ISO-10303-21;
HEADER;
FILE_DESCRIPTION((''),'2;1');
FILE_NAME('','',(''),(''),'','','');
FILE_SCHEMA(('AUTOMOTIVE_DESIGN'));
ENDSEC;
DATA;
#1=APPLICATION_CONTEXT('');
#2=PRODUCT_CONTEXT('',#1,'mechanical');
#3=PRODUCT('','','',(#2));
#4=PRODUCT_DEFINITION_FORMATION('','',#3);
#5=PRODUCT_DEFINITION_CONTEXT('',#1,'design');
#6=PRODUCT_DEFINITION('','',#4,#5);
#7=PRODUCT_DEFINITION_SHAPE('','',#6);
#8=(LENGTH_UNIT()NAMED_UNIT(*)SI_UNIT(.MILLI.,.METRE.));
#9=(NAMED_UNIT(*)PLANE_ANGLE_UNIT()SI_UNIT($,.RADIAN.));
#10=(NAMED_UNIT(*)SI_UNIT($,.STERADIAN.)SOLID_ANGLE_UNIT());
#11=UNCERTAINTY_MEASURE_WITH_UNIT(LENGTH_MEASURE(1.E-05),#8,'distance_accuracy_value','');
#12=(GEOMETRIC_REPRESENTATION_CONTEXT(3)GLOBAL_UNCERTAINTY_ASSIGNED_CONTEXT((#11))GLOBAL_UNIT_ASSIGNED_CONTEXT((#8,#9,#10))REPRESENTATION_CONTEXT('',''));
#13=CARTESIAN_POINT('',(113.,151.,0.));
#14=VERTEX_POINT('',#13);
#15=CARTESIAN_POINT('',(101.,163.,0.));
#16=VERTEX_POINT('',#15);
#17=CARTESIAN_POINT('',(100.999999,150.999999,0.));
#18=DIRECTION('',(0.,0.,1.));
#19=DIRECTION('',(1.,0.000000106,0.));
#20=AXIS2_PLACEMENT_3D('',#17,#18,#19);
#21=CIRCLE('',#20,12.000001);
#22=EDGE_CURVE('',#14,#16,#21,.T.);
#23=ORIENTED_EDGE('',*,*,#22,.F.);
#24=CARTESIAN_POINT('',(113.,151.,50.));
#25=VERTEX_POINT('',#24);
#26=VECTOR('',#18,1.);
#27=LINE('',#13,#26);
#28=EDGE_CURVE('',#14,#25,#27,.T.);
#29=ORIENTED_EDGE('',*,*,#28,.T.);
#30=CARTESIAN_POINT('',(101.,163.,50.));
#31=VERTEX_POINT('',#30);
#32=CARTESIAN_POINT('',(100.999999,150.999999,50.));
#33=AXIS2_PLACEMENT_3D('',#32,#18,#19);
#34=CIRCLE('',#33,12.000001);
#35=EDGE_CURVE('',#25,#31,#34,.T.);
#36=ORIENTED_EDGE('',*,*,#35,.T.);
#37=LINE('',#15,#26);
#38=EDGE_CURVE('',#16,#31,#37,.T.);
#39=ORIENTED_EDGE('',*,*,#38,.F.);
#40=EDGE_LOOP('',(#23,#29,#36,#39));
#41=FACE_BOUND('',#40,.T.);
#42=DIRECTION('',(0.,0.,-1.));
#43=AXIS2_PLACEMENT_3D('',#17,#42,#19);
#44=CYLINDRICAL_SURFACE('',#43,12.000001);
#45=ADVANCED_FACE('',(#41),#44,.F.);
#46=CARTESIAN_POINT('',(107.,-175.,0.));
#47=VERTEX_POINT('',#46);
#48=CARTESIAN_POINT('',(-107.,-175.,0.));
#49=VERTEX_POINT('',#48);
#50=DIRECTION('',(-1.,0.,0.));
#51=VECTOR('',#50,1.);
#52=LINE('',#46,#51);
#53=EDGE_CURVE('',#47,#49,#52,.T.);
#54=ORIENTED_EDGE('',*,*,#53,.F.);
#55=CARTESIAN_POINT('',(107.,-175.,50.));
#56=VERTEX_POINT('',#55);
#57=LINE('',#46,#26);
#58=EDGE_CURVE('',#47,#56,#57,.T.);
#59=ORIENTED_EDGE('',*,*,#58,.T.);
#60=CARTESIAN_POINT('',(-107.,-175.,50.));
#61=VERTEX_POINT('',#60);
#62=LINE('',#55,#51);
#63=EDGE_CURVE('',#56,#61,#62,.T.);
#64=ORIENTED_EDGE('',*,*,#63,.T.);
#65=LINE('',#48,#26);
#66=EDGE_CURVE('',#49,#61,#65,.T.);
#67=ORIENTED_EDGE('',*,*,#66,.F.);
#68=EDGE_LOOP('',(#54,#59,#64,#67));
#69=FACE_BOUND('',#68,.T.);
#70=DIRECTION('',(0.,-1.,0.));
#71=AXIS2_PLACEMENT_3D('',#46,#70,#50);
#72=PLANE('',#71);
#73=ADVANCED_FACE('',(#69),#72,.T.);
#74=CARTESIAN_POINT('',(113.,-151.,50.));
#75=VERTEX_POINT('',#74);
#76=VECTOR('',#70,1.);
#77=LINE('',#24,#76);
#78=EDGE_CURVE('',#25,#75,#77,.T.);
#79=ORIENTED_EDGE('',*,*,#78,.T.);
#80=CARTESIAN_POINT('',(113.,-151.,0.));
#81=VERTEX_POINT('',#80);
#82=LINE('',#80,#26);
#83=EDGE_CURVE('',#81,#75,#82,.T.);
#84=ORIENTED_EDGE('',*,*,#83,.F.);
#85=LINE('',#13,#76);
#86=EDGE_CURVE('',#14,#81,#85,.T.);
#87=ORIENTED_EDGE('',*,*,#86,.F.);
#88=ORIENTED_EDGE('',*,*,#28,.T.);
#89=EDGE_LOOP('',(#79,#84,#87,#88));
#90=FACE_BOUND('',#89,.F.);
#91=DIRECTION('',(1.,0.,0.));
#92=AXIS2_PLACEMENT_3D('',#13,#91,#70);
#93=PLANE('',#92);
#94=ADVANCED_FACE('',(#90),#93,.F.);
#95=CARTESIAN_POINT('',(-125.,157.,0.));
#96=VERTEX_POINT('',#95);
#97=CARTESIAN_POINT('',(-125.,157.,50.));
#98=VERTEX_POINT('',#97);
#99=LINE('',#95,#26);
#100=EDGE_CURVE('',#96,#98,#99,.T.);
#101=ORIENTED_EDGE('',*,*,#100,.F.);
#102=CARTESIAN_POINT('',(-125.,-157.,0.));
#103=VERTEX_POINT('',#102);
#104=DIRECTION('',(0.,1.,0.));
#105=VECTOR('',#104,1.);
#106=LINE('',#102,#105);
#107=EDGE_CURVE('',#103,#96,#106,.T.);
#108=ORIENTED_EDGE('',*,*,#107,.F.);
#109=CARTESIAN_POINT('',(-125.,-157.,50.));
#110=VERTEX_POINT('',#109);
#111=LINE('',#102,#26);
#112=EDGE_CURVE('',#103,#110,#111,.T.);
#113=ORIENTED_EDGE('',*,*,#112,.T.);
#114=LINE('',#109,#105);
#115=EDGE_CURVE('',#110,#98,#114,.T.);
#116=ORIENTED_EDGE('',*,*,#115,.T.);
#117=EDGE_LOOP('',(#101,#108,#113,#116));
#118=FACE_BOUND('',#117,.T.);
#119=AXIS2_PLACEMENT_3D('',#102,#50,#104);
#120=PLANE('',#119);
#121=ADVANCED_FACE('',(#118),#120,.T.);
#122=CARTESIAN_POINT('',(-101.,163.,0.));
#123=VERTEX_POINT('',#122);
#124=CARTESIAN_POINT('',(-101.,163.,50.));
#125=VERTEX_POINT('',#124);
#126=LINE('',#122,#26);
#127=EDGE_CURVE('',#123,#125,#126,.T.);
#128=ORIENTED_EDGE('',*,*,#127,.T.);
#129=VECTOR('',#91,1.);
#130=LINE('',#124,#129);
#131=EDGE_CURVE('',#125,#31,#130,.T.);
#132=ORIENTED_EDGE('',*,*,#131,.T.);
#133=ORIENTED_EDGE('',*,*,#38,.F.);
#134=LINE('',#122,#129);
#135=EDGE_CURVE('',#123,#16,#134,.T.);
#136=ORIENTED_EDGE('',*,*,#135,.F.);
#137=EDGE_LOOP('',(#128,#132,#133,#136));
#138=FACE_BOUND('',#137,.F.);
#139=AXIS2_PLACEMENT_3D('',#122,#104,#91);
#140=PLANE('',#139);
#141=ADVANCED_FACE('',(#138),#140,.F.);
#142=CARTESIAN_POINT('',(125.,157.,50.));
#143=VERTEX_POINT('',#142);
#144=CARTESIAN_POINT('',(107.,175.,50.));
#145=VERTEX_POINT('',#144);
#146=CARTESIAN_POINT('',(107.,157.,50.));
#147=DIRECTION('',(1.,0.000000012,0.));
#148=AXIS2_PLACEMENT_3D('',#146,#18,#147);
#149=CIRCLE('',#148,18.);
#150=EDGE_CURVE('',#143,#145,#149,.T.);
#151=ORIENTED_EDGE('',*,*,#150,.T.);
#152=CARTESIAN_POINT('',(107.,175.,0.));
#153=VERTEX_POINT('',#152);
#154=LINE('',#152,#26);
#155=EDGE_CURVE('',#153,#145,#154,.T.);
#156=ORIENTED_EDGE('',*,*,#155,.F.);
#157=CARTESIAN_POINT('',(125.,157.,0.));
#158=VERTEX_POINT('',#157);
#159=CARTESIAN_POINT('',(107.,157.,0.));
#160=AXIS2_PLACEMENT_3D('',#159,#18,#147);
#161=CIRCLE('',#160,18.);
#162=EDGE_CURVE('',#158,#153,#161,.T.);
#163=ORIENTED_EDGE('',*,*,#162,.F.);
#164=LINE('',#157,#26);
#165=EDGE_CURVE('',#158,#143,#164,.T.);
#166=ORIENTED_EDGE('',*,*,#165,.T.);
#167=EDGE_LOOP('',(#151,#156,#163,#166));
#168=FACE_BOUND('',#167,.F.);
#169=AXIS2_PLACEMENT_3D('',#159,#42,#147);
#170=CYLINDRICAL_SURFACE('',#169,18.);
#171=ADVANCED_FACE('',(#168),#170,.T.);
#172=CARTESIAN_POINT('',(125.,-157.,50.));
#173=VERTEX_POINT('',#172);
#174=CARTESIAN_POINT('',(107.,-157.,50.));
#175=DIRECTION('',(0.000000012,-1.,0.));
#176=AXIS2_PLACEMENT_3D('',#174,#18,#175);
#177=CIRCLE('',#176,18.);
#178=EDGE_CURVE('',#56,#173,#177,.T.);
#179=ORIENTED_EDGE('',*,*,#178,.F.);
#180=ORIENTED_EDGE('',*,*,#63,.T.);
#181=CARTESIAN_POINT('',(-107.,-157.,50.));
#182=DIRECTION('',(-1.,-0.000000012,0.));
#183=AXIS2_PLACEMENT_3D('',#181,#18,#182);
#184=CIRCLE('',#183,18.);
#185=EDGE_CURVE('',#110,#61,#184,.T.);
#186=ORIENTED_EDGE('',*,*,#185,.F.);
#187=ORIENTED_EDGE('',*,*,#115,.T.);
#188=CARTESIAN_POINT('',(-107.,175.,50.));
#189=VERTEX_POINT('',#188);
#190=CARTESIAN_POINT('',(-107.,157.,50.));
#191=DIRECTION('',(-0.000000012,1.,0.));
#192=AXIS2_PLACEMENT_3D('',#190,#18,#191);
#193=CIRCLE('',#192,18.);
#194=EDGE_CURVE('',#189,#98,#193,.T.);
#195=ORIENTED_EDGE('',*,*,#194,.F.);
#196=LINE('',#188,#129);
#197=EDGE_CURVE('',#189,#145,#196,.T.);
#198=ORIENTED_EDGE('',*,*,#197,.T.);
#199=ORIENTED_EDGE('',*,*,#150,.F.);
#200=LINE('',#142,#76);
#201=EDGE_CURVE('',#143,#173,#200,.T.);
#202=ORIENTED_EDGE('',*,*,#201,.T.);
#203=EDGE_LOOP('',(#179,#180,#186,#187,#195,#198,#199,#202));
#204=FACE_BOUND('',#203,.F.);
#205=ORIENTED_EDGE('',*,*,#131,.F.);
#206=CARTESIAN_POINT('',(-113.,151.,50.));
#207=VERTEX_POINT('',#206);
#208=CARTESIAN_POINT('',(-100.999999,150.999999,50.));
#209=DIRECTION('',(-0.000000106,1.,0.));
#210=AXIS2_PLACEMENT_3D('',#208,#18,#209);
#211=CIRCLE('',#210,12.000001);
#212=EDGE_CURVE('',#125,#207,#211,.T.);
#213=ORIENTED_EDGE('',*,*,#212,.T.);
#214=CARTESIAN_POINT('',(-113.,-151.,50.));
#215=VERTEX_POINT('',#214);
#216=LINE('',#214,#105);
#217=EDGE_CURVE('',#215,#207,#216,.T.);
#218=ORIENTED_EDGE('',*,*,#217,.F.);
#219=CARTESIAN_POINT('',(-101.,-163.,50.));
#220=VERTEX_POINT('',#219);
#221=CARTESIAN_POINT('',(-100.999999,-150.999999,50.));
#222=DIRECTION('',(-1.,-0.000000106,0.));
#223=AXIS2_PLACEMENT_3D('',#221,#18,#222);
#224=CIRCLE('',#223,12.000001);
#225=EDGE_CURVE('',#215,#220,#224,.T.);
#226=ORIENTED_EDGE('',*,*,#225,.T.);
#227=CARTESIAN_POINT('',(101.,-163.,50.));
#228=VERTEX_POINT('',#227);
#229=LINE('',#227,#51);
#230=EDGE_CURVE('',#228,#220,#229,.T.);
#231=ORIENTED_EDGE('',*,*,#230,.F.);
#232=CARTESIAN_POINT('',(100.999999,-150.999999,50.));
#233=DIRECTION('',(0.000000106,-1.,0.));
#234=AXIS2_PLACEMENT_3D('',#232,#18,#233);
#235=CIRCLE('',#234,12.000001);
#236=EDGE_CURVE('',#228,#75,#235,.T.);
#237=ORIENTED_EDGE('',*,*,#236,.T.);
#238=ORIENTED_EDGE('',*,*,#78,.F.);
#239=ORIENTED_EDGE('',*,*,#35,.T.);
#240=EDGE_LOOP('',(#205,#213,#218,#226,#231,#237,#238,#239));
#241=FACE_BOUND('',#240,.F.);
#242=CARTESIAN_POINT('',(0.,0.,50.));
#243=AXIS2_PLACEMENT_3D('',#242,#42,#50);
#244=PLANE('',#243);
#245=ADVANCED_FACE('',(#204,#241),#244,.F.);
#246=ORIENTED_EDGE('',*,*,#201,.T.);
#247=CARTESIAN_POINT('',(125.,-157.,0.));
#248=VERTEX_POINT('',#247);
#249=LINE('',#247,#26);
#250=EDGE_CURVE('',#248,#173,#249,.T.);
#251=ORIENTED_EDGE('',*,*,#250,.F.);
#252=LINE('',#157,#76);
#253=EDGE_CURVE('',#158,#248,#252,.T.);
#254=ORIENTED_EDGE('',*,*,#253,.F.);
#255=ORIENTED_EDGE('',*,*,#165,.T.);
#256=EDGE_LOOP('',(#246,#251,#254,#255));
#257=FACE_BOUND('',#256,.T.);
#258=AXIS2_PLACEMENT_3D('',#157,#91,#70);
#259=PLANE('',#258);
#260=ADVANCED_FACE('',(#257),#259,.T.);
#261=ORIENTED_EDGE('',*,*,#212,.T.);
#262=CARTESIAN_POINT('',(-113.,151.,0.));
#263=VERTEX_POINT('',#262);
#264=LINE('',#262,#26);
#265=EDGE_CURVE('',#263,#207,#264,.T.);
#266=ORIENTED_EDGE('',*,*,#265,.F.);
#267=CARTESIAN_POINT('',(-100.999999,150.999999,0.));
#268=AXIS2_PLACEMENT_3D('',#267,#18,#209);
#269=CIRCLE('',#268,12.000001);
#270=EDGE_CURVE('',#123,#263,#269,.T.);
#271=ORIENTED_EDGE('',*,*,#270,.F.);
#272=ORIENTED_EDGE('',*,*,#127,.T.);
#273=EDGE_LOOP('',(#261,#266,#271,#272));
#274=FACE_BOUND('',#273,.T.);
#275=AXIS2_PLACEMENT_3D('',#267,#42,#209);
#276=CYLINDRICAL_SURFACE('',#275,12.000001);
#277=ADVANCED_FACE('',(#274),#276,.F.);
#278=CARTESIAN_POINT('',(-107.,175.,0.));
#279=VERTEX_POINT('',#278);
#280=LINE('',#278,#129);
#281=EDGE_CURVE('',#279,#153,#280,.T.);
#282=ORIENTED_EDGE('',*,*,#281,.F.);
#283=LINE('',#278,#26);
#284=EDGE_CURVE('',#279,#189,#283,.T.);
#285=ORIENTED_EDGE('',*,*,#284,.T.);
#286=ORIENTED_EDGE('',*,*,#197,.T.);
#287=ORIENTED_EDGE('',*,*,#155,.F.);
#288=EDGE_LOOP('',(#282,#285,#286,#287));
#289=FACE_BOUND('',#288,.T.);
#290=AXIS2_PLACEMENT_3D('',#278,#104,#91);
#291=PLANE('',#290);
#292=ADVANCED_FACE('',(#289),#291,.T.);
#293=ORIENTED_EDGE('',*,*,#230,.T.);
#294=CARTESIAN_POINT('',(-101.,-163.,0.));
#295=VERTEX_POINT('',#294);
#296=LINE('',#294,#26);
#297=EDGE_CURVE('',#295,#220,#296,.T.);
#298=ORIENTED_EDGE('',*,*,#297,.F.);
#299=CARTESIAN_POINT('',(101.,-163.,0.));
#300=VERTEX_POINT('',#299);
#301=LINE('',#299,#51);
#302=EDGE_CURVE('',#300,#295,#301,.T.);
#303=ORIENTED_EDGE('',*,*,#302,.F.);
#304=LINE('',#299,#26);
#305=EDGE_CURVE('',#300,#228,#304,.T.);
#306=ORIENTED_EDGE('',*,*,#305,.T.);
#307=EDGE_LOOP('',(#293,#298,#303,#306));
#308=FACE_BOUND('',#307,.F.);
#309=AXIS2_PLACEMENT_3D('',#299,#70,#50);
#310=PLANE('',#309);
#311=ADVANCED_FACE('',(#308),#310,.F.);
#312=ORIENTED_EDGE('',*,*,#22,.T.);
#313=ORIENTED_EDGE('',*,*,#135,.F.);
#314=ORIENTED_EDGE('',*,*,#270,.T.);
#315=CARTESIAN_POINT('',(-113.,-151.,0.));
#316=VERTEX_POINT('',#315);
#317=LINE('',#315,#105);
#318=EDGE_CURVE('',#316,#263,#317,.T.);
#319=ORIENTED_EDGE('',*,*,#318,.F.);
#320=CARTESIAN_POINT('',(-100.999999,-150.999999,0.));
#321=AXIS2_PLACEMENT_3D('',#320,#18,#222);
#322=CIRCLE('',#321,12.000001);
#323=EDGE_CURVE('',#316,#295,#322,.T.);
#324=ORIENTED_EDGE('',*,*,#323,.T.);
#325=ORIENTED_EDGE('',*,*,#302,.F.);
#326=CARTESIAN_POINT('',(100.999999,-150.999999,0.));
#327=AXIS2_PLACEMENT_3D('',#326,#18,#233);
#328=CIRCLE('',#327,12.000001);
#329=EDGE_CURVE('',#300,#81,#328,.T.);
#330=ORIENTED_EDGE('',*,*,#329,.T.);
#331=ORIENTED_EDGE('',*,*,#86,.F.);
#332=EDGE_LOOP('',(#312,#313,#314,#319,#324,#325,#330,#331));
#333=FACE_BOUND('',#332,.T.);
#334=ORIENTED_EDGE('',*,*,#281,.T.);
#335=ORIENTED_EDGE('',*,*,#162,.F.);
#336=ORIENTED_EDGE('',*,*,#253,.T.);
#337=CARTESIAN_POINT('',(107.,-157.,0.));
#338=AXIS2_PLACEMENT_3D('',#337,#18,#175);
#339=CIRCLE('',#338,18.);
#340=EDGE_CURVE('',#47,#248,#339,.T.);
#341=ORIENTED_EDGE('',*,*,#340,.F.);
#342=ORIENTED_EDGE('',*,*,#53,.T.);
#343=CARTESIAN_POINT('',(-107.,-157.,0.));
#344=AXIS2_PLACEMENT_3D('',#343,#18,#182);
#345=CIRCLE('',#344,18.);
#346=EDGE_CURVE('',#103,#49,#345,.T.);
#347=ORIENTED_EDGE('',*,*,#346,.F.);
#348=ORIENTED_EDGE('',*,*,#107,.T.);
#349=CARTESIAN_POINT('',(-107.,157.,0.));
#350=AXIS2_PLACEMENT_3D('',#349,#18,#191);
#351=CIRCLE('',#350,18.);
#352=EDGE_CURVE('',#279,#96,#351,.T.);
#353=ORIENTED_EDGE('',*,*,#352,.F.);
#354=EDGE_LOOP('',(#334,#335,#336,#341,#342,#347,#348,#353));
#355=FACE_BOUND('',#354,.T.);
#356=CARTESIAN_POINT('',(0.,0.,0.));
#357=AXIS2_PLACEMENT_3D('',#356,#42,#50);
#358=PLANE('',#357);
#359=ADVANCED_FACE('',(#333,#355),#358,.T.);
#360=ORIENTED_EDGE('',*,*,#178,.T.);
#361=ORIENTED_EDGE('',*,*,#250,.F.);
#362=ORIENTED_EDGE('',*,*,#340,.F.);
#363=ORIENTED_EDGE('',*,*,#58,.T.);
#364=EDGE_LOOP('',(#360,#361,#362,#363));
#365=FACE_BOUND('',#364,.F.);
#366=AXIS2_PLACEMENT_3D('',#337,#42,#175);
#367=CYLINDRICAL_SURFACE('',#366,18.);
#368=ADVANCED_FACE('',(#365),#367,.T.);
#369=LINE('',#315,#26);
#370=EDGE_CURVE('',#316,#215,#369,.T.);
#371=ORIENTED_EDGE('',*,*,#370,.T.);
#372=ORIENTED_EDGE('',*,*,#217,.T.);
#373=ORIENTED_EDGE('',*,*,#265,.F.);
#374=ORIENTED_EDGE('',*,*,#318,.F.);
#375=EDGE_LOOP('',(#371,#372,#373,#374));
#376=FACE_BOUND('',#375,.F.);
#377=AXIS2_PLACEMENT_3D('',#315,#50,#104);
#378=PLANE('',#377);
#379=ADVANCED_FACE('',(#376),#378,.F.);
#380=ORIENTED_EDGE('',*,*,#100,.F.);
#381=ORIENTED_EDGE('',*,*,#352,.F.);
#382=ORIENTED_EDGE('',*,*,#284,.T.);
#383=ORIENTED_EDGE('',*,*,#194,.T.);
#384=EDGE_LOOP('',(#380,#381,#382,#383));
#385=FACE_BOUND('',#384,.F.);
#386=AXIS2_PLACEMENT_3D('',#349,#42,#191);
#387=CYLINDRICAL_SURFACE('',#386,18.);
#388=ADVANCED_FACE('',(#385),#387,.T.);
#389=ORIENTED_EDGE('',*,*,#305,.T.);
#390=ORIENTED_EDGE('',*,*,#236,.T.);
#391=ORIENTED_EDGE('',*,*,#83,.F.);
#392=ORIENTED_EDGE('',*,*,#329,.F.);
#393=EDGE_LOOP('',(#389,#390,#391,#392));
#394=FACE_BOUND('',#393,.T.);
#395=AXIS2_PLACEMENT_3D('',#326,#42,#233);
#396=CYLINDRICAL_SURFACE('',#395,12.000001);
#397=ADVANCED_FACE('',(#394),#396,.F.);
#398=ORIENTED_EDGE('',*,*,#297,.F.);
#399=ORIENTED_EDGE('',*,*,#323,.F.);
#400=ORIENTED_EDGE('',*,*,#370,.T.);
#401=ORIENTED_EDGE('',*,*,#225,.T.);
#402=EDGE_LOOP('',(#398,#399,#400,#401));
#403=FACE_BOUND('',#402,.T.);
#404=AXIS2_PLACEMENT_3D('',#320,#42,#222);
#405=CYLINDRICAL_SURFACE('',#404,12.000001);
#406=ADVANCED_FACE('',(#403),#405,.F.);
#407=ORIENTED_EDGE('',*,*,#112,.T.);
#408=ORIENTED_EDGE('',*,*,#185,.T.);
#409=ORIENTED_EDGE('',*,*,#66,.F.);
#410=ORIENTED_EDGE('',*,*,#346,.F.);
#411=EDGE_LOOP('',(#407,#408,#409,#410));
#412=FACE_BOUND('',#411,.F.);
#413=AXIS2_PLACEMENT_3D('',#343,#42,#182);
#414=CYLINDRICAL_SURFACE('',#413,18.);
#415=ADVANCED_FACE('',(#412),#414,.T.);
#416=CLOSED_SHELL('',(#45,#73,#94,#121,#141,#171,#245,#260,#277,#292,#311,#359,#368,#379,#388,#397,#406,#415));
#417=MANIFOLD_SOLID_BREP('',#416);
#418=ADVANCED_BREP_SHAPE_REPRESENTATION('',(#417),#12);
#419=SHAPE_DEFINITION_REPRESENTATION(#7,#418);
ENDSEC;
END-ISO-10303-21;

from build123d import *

# Parameters (mm, degrees)
EXTRUDE_DEPTH = 50


with BuildPart() as part:
    # Sketch → Extrude (new body)
    with BuildSketch(Plane.XY):
        with BuildLine():
            Line((-107, 175), (107, 175))
            ThreePointArc((125, 157), (119.727922, 169.727922), (107, 175))
            Line((125, 157), (125, -157))
            ThreePointArc((107, -175), (119.727922, -169.727922), (125, -157))
            Line((107, -175), (-107, -175))
            ThreePointArc((-125, -157), (-119.727922, -169.727922), (-107, -175))
            Line((-125, -157), (-125, 157))
            ThreePointArc((-107, 175), (-119.727922, 169.727922), (-125, 157))
        make_face()
        with BuildLine():
            Line((-101, 163), (101, 163))
            ThreePointArc((113, 151), (109.485281, 159.485281), (101, 163))
            Line((113, 151), (113, -151))
            ThreePointArc((101, -163), (109.485281, -159.485281), (113, -151))
            Line((101, -163), (-101, -163))
            ThreePointArc((-113, -151), (-109.485281, -159.485281), (-101, -163))
            Line((-113, -151), (-113, 151))
            ThreePointArc((-101, 163), (-109.485281, 159.485281), (-113, 151))
        make_face(mode=Mode.SUBTRACT)
    extrude(amount=EXTRUDE_DEPTH)


solid = part.part
